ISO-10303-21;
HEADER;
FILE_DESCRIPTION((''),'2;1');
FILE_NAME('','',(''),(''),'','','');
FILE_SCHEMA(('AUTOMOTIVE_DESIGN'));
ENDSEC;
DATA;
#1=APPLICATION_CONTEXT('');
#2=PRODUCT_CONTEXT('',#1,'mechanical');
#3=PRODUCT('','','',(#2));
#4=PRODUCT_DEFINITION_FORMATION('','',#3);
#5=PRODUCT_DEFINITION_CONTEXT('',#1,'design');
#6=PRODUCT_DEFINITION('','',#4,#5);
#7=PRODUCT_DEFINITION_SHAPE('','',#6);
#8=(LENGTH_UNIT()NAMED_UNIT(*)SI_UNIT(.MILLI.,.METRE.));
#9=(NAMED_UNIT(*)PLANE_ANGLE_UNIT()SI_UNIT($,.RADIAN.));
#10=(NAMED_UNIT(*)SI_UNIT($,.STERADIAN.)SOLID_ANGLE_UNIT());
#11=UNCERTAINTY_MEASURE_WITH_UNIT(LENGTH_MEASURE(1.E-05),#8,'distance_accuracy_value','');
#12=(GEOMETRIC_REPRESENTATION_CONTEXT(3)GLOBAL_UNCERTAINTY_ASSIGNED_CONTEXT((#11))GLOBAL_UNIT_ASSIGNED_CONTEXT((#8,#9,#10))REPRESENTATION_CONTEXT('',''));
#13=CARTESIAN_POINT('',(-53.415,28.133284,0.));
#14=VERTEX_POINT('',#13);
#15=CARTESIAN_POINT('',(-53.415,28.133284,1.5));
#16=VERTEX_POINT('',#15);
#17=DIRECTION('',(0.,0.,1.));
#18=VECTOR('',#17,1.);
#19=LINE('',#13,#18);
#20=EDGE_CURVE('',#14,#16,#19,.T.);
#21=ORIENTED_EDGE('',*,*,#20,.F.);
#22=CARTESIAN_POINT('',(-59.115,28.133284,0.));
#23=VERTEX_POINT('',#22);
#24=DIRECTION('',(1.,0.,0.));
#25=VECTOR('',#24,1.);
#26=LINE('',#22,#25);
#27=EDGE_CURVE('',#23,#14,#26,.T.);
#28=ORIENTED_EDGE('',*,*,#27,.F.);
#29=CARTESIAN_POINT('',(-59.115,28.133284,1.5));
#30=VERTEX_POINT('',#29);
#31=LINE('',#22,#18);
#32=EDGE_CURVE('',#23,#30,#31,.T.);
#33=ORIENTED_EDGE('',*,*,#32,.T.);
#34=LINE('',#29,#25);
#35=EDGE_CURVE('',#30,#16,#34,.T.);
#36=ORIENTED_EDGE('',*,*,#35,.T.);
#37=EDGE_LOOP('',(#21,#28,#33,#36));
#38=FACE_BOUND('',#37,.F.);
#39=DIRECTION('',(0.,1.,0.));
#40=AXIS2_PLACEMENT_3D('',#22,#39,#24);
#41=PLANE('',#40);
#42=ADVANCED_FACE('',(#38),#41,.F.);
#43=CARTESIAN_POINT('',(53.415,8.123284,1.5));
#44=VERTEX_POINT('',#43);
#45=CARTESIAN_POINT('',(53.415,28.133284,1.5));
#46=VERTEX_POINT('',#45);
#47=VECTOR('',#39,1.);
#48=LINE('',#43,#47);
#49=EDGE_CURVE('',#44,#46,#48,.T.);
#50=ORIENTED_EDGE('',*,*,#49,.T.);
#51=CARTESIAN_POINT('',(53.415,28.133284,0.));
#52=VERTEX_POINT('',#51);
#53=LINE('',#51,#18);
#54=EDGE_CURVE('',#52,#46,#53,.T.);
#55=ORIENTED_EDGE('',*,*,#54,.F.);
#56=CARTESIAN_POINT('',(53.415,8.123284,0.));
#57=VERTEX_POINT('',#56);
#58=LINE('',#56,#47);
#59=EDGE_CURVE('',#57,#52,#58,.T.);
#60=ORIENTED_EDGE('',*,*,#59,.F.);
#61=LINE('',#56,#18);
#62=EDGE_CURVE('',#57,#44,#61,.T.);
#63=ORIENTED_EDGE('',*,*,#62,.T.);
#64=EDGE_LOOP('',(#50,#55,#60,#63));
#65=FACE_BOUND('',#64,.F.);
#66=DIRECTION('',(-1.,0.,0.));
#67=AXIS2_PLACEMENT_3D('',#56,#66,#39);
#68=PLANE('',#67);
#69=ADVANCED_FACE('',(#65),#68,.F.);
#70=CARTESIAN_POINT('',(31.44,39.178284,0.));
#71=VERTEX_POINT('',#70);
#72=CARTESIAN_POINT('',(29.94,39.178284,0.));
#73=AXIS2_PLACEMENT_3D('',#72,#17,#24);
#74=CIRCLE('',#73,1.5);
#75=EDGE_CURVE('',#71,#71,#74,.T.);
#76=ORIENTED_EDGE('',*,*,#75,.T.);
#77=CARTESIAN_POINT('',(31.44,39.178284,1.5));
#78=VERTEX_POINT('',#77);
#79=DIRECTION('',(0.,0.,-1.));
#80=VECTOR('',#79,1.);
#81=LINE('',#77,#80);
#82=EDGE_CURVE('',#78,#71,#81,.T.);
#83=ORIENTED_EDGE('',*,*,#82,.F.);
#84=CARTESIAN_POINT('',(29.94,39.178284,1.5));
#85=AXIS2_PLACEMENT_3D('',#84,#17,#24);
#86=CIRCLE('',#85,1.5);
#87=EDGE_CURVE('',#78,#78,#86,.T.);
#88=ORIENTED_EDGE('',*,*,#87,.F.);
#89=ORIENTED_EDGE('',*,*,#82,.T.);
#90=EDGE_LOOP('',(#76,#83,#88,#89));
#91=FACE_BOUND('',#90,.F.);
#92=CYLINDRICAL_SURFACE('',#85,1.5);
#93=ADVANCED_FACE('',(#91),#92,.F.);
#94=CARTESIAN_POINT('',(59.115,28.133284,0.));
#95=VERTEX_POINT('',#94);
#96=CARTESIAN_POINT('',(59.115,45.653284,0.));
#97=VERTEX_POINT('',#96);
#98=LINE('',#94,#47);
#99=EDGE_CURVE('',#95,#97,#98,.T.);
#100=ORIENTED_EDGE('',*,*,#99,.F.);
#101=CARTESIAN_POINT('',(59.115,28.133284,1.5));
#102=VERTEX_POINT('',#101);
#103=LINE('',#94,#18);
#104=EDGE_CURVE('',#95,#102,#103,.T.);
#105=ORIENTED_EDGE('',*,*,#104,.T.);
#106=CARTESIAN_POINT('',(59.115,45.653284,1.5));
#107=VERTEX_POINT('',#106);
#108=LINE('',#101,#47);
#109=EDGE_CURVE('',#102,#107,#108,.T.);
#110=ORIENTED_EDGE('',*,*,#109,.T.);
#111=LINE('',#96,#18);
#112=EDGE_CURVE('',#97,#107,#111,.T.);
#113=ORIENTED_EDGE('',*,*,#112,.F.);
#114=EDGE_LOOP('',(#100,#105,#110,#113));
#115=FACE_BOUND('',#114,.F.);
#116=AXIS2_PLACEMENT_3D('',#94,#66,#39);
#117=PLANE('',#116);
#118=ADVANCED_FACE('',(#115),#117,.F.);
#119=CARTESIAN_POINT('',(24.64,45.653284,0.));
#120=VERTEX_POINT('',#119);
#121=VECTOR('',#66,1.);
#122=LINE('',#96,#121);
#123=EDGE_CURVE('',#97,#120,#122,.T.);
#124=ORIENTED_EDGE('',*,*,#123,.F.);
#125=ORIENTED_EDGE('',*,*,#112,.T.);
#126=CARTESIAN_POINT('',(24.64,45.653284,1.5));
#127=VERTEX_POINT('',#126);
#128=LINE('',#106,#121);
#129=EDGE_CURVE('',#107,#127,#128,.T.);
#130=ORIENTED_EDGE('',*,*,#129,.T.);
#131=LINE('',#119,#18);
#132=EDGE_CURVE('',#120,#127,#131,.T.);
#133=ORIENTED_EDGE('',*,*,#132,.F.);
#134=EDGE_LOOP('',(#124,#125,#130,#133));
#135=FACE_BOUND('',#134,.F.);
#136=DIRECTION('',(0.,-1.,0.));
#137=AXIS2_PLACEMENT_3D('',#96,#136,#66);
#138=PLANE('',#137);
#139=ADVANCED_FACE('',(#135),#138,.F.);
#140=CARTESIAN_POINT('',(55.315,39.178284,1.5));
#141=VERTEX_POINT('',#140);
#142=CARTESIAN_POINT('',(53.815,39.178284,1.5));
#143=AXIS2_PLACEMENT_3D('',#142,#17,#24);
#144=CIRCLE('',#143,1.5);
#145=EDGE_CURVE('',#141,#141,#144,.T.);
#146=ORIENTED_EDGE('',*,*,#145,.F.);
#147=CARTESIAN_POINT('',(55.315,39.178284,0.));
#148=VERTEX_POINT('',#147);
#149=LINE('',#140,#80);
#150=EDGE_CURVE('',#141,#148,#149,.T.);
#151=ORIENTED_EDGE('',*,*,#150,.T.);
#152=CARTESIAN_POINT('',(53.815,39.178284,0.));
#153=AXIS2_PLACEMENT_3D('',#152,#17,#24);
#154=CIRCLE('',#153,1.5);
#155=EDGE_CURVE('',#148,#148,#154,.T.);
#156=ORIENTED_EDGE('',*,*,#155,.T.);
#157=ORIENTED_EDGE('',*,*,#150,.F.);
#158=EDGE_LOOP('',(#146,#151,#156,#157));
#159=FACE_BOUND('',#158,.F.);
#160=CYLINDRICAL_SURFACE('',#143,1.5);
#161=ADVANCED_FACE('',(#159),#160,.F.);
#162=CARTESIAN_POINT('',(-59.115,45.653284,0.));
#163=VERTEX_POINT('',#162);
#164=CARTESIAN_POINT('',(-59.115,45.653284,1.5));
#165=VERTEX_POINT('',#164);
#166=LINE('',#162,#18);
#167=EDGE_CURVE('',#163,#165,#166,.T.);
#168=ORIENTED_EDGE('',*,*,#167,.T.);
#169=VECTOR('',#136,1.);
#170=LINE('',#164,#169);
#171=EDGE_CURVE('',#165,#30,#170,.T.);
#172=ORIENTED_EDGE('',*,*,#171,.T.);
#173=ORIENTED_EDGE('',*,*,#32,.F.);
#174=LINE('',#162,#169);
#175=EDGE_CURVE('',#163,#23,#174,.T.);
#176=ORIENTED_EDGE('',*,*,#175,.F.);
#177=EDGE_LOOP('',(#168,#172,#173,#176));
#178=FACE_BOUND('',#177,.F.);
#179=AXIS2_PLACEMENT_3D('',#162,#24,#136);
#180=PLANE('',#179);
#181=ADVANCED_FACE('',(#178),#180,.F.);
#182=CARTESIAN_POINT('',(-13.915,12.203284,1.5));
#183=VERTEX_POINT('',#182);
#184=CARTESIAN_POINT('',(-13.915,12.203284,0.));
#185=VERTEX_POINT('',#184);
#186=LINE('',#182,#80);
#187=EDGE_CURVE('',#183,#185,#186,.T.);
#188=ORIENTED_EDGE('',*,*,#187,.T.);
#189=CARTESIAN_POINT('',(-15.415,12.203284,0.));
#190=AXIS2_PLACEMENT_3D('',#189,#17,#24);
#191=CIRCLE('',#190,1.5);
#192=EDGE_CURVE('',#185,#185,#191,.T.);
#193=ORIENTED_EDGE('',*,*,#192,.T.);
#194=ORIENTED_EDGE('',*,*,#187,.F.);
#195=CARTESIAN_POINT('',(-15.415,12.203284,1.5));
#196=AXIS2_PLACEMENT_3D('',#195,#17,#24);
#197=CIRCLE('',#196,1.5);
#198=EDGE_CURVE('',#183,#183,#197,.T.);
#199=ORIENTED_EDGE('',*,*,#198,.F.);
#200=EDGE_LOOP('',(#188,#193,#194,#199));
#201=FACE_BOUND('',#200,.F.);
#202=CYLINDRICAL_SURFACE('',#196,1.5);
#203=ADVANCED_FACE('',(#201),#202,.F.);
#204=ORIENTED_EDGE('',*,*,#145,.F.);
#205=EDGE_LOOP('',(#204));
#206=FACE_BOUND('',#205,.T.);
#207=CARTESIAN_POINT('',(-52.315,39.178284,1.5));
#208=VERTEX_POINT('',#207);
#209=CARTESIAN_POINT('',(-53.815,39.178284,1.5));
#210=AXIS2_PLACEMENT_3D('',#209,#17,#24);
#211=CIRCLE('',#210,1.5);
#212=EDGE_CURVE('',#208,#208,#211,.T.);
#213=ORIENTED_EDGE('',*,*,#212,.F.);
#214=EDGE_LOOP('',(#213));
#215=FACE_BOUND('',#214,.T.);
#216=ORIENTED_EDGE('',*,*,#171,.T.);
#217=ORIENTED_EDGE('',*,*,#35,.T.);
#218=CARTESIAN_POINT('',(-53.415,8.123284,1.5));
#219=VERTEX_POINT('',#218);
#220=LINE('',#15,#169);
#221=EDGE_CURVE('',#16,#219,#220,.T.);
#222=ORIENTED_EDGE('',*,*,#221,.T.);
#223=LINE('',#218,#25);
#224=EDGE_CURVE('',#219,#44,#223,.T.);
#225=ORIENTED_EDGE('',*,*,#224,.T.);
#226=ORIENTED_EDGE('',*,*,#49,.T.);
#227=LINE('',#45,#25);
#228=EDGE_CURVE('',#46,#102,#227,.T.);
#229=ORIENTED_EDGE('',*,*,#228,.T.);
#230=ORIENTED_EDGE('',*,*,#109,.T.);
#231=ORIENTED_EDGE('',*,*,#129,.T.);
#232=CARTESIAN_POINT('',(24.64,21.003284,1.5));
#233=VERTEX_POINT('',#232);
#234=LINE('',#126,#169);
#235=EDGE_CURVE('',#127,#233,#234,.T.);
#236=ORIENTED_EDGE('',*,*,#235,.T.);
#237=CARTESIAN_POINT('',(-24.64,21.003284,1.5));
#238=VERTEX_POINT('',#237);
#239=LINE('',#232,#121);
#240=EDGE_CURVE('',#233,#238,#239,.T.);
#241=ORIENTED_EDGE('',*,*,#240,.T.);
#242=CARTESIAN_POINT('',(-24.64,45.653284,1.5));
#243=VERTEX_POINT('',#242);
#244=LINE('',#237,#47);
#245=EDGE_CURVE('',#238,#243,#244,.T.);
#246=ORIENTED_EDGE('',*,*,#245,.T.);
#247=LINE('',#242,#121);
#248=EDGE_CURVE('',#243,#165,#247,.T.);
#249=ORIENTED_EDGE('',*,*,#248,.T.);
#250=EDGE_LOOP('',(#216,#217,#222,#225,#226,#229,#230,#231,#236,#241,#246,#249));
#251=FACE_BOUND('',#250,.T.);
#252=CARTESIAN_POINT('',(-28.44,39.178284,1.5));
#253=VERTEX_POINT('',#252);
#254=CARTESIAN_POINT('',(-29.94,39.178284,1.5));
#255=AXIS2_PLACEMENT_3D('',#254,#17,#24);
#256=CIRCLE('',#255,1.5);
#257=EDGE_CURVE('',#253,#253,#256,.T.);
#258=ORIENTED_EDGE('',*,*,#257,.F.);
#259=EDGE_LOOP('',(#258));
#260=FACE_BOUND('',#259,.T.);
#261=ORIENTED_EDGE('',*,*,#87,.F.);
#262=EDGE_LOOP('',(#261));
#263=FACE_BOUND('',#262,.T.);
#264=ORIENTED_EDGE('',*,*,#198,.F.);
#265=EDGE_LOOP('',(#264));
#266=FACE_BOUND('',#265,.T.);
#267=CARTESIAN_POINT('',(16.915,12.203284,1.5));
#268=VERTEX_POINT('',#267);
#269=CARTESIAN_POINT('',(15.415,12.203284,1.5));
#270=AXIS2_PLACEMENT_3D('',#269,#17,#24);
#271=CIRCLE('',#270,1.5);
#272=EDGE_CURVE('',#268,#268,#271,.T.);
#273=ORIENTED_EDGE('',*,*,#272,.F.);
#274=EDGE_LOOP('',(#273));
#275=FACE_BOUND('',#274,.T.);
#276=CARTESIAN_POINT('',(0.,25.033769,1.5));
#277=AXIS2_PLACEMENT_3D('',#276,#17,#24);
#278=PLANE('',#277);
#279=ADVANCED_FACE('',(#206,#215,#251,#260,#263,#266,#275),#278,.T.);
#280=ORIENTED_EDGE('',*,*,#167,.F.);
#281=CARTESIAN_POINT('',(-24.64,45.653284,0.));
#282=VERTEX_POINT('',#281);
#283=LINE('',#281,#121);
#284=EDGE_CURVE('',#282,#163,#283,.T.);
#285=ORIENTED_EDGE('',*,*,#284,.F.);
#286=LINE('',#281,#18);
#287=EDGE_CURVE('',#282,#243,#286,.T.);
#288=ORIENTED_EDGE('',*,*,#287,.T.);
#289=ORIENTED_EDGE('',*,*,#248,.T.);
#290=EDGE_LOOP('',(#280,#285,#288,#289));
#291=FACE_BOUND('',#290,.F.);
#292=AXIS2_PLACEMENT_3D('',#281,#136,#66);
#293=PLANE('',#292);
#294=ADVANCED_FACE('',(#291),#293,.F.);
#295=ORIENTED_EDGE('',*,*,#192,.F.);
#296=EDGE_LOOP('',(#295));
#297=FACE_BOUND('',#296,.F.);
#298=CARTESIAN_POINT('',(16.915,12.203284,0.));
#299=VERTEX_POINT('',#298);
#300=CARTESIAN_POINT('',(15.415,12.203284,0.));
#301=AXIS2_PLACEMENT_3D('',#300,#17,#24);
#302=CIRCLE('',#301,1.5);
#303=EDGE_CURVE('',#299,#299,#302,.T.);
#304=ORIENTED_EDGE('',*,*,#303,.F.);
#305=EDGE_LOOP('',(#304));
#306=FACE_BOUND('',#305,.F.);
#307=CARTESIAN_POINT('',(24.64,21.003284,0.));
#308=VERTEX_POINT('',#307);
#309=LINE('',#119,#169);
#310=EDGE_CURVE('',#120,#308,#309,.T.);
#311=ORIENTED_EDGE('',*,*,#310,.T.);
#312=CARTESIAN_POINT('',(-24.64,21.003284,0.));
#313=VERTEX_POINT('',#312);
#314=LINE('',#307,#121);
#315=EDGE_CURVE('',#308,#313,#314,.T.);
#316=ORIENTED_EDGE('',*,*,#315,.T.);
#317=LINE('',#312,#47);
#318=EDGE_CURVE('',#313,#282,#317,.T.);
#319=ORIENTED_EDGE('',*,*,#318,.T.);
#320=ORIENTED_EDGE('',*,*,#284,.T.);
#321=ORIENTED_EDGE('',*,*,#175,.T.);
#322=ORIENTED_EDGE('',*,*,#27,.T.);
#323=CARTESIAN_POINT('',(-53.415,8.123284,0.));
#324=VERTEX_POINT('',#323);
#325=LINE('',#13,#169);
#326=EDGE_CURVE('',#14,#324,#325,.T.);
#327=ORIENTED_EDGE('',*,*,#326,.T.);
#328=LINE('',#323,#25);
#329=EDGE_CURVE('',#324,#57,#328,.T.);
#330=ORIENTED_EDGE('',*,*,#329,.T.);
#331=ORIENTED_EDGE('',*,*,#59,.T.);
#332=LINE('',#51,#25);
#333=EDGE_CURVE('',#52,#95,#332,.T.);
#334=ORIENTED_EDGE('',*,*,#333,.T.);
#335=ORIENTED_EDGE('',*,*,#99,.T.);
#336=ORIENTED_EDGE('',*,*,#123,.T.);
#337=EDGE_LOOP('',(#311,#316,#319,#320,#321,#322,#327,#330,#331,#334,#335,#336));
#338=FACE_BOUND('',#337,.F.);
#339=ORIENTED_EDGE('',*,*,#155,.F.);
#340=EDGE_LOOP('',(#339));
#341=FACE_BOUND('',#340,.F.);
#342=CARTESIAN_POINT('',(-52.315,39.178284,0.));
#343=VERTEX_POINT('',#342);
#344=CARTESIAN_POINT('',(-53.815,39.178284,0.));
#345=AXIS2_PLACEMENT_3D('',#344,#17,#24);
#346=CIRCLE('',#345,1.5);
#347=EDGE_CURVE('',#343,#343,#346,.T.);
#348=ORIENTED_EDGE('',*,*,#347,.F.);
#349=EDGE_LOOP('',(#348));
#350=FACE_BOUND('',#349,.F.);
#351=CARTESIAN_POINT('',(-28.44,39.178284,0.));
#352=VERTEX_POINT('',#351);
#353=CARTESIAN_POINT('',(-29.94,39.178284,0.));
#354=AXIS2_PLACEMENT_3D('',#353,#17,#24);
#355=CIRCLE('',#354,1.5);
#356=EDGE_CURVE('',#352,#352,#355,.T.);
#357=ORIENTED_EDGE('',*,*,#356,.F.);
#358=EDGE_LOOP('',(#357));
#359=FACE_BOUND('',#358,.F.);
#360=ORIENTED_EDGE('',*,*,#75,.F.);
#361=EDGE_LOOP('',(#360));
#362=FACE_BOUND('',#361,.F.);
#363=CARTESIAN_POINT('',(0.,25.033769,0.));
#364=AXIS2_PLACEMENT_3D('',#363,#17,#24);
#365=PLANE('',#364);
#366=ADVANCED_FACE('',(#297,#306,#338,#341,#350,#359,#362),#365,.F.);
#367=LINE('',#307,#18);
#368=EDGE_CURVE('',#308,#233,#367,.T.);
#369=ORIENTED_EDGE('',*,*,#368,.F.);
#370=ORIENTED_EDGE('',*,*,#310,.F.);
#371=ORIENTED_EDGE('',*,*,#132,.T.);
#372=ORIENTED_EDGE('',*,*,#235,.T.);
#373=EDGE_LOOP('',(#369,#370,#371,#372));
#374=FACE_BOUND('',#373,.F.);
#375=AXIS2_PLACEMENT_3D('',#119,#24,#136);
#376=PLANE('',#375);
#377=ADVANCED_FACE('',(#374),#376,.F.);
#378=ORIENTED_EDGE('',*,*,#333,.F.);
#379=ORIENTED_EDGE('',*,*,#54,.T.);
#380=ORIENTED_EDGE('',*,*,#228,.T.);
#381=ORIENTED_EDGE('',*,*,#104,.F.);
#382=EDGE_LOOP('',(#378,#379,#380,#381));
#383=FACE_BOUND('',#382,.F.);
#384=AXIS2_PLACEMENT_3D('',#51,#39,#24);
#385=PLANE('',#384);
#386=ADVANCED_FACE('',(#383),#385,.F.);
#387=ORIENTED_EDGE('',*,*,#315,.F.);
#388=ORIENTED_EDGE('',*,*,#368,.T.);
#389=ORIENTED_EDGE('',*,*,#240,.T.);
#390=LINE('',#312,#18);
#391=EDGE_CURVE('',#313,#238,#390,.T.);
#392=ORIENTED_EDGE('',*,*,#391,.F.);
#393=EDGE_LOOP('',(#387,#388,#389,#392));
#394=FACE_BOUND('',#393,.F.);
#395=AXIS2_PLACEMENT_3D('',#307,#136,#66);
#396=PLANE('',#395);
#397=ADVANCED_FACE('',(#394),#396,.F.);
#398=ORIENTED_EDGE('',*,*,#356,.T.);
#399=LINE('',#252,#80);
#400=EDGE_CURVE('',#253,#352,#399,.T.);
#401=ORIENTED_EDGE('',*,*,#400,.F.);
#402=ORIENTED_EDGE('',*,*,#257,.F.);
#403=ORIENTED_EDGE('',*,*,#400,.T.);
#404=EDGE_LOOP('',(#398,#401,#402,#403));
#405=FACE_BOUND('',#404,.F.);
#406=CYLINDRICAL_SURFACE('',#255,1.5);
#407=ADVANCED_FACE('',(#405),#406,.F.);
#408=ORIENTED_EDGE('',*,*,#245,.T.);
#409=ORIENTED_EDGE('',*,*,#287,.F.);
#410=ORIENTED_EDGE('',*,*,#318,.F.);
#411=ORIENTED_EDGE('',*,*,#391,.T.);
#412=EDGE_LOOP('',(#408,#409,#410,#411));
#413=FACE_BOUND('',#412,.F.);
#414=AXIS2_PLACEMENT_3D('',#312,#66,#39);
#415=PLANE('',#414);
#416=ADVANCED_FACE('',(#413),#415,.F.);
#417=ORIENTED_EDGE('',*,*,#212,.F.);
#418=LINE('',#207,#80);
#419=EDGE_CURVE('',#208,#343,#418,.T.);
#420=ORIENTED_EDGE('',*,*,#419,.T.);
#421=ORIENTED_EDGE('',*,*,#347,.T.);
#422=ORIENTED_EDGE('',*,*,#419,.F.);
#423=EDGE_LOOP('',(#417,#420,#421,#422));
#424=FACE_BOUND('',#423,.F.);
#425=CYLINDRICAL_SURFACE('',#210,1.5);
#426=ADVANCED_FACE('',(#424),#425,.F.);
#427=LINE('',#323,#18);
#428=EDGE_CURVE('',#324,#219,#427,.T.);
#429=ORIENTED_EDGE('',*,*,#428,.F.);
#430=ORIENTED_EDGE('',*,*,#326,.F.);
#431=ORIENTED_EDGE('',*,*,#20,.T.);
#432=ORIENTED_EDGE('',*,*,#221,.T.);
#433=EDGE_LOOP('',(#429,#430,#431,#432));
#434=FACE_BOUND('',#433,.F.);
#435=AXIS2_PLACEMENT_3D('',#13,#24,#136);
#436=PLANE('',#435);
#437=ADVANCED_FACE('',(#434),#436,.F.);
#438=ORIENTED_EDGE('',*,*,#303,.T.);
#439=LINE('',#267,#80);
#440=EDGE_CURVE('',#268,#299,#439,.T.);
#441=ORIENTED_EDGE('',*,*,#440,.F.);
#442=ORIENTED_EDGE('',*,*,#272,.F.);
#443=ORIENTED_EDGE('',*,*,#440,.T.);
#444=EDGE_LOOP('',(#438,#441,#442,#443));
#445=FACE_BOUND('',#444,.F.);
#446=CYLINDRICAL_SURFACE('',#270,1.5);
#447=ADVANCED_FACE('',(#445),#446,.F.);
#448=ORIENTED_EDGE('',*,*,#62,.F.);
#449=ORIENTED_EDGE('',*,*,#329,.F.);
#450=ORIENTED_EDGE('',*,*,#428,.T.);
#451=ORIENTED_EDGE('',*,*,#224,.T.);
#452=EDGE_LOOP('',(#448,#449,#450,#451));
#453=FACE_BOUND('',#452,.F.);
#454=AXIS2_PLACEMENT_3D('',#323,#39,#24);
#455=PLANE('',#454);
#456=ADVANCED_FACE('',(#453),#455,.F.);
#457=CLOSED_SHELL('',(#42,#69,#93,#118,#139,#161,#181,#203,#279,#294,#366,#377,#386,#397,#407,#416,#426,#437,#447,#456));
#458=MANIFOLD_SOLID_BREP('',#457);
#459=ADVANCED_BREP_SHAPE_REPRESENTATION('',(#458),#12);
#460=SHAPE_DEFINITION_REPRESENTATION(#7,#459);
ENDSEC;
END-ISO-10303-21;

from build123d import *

# Parameters (mm, degrees)
F1_DEPTH = 1.5
F2_R     = 1.5
F3_DEPTH = 12.3


with BuildPart() as f1:
    # F0 (on Top) → F1 (new body)
    with BuildSketch(Plane.XY):
        Polygon((-53.415, 8.123284), (0, 8.123284), (53.415, 8.123284), (53.415, 28.133284), (59.115, 28.133284), (59.115, 45.653284), (24.64, 45.653284), (24.64, 21.003284), (0, 21.003284), (-24.64, 21.003284), (-24.64, 45.653284), (-59.115, 45.653284), (-59.115, 28.133284), (-53.415, 28.133284), align=None)
    extrude(amount=F1_DEPTH)

    # F2 (on face) → F3 (cut)
    with BuildSketch(Plane.XY.offset(1.5)):
        with Locations((-53.815, 39.178284)):
            Circle(F2_R)
        with Locations((-29.94, 39.178284)):
            Circle(F2_R)
        with Locations((-15.415, 12.203284)):
            Circle(F2_R)
        with Locations((15.415, 12.203284)):
            Circle(F2_R)
        with Locations((29.94, 39.178284)):
            Circle(F2_R)
        with Locations((53.815, 39.178284)):
            Circle(F2_R)
    extrude(amount=-F3_DEPTH, mode=Mode.SUBTRACT)


solid = f1.part
